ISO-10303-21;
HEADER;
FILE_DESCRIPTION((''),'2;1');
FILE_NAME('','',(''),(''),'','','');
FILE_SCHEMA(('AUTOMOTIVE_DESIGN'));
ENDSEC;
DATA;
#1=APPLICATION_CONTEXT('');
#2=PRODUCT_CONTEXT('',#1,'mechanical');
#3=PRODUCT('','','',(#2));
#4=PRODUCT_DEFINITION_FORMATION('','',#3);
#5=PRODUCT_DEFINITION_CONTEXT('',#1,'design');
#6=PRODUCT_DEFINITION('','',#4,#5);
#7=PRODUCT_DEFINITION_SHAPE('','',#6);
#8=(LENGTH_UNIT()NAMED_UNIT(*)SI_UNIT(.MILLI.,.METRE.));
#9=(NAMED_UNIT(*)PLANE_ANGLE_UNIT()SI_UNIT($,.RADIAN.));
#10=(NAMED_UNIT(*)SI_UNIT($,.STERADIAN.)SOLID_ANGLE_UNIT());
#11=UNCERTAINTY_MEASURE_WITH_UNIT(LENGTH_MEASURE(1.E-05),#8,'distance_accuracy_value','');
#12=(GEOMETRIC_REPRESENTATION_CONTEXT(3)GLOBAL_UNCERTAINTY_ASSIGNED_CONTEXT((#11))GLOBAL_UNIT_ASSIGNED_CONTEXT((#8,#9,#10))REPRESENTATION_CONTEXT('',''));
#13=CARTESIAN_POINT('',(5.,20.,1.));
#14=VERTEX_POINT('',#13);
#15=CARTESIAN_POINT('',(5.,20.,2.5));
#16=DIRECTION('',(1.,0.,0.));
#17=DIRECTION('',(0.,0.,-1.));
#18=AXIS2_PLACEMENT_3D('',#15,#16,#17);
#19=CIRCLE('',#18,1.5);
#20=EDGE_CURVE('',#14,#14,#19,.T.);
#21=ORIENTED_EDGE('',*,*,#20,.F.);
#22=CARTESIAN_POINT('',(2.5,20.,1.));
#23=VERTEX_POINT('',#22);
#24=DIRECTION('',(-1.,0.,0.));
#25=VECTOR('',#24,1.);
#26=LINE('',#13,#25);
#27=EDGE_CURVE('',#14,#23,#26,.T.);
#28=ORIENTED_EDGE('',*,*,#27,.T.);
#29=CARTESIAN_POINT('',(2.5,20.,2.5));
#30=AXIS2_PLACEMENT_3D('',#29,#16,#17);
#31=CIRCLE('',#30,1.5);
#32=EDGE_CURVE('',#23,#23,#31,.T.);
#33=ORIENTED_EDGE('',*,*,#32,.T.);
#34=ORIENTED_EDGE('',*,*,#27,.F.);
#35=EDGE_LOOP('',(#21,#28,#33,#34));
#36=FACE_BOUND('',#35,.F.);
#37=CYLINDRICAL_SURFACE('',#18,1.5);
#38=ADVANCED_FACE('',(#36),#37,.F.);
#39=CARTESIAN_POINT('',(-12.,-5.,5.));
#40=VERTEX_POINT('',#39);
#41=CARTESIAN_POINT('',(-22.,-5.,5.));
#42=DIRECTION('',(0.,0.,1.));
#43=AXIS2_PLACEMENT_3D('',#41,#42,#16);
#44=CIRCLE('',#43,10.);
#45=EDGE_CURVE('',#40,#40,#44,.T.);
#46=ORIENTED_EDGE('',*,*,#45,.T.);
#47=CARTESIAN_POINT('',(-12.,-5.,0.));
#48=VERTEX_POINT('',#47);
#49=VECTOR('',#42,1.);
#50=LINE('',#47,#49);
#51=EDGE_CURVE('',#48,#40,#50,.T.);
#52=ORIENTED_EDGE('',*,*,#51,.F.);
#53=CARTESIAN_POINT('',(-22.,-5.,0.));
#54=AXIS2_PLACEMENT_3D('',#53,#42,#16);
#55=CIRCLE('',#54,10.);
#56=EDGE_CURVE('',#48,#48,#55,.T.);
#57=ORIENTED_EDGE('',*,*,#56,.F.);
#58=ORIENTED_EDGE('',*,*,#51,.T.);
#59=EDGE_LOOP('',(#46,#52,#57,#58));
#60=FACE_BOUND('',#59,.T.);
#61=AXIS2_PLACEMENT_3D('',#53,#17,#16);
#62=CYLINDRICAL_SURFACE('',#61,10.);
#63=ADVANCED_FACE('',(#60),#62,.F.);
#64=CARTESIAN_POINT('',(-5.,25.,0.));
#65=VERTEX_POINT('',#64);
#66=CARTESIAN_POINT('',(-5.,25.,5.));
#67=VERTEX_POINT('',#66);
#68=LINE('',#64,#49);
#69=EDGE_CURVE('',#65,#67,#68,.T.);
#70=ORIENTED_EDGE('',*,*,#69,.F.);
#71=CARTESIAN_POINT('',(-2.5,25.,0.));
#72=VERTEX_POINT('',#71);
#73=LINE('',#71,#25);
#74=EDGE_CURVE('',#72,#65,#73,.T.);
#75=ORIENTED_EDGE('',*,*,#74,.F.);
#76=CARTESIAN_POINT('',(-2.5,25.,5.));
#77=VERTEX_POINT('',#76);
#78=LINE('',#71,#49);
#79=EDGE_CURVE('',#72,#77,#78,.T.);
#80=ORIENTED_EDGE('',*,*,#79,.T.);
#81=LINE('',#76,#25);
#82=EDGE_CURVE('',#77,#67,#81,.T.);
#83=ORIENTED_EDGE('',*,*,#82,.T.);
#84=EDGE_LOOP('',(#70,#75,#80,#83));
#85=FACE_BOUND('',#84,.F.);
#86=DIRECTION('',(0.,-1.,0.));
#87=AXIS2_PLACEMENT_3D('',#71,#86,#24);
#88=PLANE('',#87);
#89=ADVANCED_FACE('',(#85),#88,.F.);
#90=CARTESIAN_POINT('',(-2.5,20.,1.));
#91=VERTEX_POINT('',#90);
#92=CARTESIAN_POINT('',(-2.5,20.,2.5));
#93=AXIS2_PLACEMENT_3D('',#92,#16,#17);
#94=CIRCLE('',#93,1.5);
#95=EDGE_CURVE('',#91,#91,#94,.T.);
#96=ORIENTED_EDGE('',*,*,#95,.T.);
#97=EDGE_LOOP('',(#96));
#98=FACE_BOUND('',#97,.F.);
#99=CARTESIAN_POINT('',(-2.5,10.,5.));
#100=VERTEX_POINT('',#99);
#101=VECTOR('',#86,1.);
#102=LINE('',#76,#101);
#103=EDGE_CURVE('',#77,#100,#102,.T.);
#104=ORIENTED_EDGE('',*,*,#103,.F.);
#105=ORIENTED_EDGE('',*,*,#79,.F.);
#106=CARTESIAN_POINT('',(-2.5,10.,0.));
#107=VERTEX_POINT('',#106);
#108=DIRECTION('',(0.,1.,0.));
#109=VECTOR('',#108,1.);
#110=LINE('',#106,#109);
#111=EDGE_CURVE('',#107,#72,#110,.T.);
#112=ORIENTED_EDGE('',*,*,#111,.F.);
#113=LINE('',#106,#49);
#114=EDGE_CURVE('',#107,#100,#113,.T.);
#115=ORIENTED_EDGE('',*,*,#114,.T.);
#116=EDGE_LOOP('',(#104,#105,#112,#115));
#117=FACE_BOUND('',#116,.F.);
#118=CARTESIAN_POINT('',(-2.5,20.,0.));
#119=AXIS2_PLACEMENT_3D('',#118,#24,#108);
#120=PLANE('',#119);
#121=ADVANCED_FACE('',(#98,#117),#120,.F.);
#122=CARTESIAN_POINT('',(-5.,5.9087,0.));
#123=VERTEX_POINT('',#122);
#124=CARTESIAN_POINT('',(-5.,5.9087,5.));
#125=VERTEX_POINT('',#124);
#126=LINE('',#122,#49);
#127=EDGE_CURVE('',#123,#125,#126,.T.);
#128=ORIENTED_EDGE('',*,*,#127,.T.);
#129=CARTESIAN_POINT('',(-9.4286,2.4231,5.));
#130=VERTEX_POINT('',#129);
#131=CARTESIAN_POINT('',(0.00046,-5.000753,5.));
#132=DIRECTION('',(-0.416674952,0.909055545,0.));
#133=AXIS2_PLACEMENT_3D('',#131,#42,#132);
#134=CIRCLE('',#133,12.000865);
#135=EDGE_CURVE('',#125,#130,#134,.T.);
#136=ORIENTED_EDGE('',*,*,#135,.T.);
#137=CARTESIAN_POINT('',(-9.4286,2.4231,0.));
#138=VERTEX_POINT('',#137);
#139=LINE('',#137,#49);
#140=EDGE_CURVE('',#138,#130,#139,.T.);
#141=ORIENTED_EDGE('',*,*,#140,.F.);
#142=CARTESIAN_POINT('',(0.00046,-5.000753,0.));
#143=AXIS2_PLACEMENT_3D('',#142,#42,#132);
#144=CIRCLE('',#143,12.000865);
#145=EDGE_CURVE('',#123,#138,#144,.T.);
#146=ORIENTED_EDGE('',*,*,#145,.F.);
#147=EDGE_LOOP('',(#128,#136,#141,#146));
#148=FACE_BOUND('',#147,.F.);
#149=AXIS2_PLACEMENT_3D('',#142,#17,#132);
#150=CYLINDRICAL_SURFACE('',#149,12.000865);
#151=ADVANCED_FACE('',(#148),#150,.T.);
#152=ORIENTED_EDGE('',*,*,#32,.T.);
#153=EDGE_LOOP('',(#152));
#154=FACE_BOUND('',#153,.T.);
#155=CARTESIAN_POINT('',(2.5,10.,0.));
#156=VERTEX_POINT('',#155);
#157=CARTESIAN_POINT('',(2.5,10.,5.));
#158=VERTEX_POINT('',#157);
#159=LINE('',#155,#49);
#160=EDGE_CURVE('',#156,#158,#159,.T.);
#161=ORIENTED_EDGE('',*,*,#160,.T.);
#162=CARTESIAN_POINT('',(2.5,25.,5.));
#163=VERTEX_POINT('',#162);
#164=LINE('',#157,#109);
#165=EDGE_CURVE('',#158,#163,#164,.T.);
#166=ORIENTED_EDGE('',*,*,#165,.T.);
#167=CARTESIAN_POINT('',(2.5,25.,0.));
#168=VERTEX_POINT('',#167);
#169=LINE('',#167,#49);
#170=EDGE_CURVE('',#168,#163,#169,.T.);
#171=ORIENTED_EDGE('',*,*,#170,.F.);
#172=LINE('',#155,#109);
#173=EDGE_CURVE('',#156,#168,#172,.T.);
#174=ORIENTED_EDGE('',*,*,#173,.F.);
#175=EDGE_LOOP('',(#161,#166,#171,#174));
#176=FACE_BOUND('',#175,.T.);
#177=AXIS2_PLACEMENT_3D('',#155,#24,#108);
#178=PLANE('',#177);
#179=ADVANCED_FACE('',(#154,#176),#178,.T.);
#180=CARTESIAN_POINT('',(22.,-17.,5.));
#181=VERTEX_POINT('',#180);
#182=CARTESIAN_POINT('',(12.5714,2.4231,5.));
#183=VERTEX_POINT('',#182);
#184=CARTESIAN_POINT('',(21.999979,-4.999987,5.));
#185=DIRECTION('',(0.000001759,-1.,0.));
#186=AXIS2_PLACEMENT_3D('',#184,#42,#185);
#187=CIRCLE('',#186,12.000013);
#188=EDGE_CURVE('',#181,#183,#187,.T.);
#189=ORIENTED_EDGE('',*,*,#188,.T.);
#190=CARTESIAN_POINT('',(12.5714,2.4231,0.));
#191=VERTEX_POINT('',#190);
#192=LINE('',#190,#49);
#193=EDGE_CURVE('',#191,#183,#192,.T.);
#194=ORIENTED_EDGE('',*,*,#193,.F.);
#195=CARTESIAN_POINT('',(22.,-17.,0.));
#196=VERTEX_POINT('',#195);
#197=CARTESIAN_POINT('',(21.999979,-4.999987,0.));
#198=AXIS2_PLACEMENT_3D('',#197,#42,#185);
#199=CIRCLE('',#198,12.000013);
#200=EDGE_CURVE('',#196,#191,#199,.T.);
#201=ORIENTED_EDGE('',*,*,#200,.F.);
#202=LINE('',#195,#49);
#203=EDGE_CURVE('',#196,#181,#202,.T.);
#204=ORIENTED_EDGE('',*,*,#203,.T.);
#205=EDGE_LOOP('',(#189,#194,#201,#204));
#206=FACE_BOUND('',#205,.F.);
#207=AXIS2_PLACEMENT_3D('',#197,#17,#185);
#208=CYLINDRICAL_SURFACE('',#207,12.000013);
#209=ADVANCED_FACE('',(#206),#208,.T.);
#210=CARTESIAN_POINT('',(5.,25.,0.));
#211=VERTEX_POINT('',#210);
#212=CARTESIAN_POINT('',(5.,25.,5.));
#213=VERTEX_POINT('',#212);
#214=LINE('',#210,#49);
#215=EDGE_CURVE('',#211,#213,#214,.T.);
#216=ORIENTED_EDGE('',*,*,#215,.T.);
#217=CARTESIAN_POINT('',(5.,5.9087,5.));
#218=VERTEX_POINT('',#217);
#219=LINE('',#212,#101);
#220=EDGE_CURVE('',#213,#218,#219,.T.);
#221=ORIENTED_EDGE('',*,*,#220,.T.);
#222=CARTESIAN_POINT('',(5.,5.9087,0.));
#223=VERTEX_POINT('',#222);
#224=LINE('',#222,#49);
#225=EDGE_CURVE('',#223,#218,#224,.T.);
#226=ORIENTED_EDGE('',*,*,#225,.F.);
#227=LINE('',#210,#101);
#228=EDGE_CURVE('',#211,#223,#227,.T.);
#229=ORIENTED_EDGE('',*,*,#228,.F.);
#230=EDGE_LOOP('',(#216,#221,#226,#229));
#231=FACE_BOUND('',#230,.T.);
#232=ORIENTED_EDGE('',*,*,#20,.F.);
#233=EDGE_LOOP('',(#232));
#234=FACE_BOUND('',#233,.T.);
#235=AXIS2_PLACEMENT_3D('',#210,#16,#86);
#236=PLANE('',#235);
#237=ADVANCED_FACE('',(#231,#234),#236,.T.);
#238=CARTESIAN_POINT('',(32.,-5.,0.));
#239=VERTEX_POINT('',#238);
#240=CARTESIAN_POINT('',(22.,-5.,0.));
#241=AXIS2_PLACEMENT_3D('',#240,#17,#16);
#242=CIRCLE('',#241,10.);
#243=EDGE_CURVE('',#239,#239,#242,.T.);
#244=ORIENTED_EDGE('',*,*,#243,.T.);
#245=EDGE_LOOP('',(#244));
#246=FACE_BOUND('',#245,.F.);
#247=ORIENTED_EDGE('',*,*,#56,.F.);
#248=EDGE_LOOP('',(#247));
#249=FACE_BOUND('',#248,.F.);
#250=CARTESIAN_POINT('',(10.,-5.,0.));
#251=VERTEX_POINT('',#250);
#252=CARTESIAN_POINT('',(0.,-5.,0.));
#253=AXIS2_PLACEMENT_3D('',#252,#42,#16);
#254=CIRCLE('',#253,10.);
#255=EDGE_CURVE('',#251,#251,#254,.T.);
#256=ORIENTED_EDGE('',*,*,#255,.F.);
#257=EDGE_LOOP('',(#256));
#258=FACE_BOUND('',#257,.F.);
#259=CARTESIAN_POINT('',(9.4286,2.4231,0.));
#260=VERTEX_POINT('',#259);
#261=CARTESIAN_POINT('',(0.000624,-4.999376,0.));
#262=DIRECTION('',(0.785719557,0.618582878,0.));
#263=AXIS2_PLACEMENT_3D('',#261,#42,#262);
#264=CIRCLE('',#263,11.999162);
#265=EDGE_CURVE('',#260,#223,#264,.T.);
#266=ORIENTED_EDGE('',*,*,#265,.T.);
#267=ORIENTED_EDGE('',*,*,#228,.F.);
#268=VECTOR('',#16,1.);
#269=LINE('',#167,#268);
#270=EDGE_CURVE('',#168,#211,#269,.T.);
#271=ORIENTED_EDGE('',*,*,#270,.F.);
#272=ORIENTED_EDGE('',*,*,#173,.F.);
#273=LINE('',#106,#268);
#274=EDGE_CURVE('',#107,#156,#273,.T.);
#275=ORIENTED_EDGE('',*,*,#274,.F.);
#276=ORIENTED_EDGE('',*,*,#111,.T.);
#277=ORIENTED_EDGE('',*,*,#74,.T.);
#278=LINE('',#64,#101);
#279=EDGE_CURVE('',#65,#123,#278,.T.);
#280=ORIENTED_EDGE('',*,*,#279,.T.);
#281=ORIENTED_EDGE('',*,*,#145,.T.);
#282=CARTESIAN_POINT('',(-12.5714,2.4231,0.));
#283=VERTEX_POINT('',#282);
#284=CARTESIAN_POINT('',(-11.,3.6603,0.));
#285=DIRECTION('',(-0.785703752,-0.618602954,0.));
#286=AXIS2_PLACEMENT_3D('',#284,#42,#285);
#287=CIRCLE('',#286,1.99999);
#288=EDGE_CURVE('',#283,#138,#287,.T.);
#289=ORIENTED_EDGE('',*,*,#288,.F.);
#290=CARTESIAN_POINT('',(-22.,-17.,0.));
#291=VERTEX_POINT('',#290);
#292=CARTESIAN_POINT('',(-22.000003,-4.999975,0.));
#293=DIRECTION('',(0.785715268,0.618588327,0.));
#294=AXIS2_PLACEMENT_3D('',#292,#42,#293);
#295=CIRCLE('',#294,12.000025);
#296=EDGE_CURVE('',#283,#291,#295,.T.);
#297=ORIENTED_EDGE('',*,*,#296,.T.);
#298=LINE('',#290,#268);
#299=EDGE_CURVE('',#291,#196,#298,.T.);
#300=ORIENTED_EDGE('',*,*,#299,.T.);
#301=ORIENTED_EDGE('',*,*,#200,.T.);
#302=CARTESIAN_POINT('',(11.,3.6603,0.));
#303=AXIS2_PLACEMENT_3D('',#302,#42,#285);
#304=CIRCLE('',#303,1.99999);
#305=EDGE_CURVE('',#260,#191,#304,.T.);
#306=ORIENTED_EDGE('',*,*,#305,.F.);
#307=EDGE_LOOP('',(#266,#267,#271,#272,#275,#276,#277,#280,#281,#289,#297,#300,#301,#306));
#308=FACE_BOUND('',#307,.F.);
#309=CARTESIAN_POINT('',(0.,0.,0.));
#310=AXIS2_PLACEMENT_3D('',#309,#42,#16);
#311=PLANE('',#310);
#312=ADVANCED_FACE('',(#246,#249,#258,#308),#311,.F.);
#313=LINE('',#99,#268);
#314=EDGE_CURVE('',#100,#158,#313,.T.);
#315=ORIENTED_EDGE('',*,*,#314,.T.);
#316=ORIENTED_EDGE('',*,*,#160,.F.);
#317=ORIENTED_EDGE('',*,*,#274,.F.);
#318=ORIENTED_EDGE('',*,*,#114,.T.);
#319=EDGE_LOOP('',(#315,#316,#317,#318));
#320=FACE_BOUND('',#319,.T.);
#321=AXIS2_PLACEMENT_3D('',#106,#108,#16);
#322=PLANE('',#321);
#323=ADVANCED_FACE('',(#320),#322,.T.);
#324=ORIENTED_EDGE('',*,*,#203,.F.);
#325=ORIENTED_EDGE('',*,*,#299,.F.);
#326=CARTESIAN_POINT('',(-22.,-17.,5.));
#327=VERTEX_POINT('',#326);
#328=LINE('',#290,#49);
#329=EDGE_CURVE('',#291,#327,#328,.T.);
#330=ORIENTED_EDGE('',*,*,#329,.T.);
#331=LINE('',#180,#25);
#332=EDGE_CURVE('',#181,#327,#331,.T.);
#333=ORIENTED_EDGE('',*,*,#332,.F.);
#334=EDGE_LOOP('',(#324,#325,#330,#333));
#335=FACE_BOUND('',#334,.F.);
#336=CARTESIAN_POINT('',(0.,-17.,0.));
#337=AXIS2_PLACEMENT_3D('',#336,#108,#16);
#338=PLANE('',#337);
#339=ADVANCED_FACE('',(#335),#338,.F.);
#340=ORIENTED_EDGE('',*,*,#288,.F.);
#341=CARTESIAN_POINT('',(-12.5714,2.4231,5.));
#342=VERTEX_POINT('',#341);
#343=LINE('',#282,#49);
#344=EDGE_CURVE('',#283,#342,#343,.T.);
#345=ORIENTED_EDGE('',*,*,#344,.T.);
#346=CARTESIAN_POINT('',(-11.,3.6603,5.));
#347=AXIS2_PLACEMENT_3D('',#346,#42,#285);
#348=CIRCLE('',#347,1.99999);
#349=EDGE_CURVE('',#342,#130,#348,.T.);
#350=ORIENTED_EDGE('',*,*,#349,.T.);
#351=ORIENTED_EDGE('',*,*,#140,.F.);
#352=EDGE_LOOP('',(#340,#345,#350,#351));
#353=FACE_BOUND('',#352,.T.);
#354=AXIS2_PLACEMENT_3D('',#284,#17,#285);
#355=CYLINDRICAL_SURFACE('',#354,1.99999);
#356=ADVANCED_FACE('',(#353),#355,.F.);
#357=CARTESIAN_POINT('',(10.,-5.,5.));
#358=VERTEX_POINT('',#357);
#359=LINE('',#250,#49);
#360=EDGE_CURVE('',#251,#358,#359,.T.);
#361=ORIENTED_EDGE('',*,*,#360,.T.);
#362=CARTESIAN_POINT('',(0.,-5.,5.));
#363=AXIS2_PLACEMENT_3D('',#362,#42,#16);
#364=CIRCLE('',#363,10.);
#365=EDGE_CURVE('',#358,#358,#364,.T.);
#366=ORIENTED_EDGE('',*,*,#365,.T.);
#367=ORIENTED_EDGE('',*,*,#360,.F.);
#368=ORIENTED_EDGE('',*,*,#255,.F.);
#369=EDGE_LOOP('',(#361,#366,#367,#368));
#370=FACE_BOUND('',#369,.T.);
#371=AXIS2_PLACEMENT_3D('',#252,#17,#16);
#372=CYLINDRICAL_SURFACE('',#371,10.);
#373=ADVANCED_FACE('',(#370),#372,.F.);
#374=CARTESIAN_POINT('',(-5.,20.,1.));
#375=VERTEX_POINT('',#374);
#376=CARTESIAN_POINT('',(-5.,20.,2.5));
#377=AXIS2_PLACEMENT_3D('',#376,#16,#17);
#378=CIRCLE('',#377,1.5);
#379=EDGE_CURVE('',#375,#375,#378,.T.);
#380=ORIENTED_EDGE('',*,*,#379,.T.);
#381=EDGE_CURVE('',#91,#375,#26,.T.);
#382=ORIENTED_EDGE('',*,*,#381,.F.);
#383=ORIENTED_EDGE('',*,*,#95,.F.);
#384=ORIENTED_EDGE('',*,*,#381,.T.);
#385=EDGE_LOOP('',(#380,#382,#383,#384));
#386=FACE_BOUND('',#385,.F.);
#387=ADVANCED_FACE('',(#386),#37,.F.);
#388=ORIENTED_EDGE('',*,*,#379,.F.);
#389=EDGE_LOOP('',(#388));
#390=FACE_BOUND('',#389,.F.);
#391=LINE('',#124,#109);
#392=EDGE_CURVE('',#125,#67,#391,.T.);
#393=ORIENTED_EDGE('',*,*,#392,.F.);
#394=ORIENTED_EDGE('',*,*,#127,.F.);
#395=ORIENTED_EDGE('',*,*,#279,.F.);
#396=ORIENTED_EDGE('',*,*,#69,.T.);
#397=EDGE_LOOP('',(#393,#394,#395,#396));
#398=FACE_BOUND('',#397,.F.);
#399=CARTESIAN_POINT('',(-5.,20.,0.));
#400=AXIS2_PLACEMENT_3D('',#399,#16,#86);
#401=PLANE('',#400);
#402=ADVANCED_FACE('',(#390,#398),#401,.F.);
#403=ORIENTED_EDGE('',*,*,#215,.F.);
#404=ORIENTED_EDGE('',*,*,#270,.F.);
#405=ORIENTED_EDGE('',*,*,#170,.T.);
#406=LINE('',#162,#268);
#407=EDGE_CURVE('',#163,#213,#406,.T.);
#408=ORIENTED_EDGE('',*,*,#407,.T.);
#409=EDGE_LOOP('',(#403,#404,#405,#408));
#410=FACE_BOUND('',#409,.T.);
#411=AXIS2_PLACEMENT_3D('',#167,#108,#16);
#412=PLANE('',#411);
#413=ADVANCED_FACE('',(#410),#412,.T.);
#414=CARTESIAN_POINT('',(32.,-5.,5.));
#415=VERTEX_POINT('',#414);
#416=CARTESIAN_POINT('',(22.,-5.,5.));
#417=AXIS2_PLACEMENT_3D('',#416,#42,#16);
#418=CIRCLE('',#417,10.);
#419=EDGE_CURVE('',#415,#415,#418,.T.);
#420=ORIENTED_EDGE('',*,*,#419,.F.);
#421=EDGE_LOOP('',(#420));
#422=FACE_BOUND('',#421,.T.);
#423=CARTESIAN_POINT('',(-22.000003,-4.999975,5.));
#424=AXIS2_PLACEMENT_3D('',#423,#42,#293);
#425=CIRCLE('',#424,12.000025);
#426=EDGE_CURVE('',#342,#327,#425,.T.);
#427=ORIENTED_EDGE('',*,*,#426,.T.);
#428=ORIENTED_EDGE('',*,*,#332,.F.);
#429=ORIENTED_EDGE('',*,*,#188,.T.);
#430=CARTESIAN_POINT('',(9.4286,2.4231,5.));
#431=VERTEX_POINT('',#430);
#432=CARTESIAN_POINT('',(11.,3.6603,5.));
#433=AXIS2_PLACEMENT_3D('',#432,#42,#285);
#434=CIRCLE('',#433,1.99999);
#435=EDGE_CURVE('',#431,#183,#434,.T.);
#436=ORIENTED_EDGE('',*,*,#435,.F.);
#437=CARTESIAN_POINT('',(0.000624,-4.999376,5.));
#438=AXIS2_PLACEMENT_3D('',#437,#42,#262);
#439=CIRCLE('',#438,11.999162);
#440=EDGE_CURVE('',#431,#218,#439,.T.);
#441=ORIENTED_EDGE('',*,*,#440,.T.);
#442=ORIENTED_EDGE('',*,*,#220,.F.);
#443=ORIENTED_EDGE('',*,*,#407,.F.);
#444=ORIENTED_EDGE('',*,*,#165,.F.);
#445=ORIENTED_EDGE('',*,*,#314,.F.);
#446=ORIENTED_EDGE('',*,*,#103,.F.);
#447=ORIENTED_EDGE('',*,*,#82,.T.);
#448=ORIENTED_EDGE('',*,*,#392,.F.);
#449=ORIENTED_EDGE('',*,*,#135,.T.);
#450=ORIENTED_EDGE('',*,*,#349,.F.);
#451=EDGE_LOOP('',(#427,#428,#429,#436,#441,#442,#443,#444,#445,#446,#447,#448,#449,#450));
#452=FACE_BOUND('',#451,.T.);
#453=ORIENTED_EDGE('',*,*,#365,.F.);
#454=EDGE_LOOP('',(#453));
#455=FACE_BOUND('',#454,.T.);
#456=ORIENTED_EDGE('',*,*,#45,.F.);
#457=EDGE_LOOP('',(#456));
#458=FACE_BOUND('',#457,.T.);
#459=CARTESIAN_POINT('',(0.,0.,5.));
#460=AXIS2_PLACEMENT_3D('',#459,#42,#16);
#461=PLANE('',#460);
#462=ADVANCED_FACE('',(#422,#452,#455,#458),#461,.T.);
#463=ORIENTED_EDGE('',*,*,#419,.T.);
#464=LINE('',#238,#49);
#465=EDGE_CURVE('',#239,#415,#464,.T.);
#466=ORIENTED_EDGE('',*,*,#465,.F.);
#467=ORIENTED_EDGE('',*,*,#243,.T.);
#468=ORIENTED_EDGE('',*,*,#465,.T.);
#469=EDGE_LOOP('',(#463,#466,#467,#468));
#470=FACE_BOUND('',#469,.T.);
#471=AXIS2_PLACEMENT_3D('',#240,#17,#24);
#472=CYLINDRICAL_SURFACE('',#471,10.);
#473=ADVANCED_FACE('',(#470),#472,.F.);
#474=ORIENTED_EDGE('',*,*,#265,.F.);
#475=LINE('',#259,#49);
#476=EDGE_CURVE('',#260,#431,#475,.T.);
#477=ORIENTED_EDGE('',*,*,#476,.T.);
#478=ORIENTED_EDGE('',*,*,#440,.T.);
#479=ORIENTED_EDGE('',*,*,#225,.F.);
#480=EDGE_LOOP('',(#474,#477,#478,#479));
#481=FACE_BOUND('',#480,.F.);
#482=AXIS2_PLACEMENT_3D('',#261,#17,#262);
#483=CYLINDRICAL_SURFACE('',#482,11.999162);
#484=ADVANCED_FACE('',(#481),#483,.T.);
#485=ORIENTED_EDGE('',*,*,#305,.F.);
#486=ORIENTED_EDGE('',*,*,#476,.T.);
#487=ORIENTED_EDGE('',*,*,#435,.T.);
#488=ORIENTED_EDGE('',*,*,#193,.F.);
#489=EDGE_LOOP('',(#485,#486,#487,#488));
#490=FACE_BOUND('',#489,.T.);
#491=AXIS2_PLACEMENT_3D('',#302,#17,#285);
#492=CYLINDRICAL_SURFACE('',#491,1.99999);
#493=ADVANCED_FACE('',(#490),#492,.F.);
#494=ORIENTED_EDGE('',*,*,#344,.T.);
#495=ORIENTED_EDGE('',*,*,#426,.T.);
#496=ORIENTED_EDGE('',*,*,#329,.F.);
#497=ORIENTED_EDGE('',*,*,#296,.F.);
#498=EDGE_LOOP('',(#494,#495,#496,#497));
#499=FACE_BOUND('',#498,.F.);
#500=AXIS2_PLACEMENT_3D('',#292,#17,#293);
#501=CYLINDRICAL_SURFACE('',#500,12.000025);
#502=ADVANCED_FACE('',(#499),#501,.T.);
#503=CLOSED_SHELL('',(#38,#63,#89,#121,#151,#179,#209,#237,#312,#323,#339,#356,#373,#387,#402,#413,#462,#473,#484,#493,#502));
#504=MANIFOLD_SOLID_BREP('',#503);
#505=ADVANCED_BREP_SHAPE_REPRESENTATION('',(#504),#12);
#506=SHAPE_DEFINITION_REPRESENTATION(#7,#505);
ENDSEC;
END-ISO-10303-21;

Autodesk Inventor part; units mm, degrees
ref_plane "YZ Plane" through (0, 0, 0) normal (1, 0, 0) x (0, 1, 0)
ref_plane "XZ Plane" through (0, 0, 0) normal (0, 1, 0) x (-1, 0, 0)
ref_plane "XY Plane" through (0, 0, 0) normal (0, 0, 1) x (1, 0, 0)
sketch "Sketch1" plane through (0, 0, 0) normal (0, 0, 1) x (1, 0, 0)
  line L0 (-2.5, 10) -> (-2.5, 20)
  line L1 (2.5, 10) -> (2.5, 25)
  line L2 (2.5, 25) -> (5, 25)
  arc A0 (6.0006, 0.0769) -> (6, -0.0245) centre (14, -0.0245) ccw
  line L3 (-2.5, 10) -> (2.5, 10)
  line L4 (-5, 20) -> (-5, 5.9087)
  line L5 (0, 10) -> (0, 17.0552) construction
  line L6 (5, 25) -> (5, 5.9087)
  circle A1 centre (0, -5) radius 10
  line L7 (0, -5) -> (-38, -5) construction
  arc A2 (-5, 5.9087) -> (-9.4286, 2.4231) centre (0, -5) ccw
  arc A3 (12, -5) -> (22, -15) centre (22, -5) ccw
  arc A4 (9.4286, 2.4231) -> (5, 5.9087) centre (0, -5) ccw
  line L8 (0, -17) -> (22, -17)
  circle A5 centre (-22, -5) radius 10
  arc A6 (-12.5714, 2.4231) -> (-22, -17) centre (-22, -5) ccw
  arc A7 (-12.5714, 2.4231) -> (-9.4286, 2.4231) centre (-11, 3.6603) ccw
  line L9 (-22, -17) -> (0, -17)
  circle A8 centre (22, -5) radius 10
  arc A9 (22, -17) -> (12.5714, 2.4231) centre (22, -5) ccw
  arc A10 (9.4286, 2.4231) -> (12.5714, 2.4231) centre (11, 3.6603) ccw
  line L10 (-2.5, 20) -> (-2.5, 25)
  line L11 (-2.5, 25) -> (-5, 25)
  line L12 (-5, 25) -> (-5, 20)
  point P0 (0, 0)
  point P1 (8, 0)
  point P2 (-32, -5)
  point P3 (-12, -5)
  point P4 (-34, -5)
  point P5 (32, -5)
  point P6 (11, -9.7958)
  point P7 (-5, -15.9087)
  point P8 (38, -5)
  point P9 (32, -5)
  point P10 (34, -5)
  dimension "d12" = 2.5
  dimension "d13" = 10
  dimension "d14" = 2.5
  dimension "d15" = 15
  dimension "d24" = 20
  dimension "d36" = 2
  dimension "d44" = 5
extrude "Extrusion1" add sketch "Sketch1" along normal blind 5
sketch "Sketch3" plane through (0, 0, 5) normal (0, 0, 1) x (1, 0, 0)
  circle A0 centre (0, -5) radius 10
  point P0 (0, 0)
  dimension "d26" = 20
extrude "Extrusion3" cut sketch "Sketch3" against normal blind 5
fillet "Fillet2" [suppressed]
sketch "Sketch4" plane through (5, 5.9087, 0) normal (1, 0, 0) x (0, 0, -1)
  line L0 (0, 19.0913) -> (-5, 19.0913) construction
  line L1 (-2.5, 19.0913) -> (-2.5, 14.0913) construction
  circle A0 centre (-2.5, 14.0913) radius 1.5
  point P0 (0, -5.9087)
  dimension "d30" = 5
  dimension "d31" = 3
extrude "Extrusion4" cut sketch "Sketch4" against normal blind 10
properties part number "beta_dummy"
